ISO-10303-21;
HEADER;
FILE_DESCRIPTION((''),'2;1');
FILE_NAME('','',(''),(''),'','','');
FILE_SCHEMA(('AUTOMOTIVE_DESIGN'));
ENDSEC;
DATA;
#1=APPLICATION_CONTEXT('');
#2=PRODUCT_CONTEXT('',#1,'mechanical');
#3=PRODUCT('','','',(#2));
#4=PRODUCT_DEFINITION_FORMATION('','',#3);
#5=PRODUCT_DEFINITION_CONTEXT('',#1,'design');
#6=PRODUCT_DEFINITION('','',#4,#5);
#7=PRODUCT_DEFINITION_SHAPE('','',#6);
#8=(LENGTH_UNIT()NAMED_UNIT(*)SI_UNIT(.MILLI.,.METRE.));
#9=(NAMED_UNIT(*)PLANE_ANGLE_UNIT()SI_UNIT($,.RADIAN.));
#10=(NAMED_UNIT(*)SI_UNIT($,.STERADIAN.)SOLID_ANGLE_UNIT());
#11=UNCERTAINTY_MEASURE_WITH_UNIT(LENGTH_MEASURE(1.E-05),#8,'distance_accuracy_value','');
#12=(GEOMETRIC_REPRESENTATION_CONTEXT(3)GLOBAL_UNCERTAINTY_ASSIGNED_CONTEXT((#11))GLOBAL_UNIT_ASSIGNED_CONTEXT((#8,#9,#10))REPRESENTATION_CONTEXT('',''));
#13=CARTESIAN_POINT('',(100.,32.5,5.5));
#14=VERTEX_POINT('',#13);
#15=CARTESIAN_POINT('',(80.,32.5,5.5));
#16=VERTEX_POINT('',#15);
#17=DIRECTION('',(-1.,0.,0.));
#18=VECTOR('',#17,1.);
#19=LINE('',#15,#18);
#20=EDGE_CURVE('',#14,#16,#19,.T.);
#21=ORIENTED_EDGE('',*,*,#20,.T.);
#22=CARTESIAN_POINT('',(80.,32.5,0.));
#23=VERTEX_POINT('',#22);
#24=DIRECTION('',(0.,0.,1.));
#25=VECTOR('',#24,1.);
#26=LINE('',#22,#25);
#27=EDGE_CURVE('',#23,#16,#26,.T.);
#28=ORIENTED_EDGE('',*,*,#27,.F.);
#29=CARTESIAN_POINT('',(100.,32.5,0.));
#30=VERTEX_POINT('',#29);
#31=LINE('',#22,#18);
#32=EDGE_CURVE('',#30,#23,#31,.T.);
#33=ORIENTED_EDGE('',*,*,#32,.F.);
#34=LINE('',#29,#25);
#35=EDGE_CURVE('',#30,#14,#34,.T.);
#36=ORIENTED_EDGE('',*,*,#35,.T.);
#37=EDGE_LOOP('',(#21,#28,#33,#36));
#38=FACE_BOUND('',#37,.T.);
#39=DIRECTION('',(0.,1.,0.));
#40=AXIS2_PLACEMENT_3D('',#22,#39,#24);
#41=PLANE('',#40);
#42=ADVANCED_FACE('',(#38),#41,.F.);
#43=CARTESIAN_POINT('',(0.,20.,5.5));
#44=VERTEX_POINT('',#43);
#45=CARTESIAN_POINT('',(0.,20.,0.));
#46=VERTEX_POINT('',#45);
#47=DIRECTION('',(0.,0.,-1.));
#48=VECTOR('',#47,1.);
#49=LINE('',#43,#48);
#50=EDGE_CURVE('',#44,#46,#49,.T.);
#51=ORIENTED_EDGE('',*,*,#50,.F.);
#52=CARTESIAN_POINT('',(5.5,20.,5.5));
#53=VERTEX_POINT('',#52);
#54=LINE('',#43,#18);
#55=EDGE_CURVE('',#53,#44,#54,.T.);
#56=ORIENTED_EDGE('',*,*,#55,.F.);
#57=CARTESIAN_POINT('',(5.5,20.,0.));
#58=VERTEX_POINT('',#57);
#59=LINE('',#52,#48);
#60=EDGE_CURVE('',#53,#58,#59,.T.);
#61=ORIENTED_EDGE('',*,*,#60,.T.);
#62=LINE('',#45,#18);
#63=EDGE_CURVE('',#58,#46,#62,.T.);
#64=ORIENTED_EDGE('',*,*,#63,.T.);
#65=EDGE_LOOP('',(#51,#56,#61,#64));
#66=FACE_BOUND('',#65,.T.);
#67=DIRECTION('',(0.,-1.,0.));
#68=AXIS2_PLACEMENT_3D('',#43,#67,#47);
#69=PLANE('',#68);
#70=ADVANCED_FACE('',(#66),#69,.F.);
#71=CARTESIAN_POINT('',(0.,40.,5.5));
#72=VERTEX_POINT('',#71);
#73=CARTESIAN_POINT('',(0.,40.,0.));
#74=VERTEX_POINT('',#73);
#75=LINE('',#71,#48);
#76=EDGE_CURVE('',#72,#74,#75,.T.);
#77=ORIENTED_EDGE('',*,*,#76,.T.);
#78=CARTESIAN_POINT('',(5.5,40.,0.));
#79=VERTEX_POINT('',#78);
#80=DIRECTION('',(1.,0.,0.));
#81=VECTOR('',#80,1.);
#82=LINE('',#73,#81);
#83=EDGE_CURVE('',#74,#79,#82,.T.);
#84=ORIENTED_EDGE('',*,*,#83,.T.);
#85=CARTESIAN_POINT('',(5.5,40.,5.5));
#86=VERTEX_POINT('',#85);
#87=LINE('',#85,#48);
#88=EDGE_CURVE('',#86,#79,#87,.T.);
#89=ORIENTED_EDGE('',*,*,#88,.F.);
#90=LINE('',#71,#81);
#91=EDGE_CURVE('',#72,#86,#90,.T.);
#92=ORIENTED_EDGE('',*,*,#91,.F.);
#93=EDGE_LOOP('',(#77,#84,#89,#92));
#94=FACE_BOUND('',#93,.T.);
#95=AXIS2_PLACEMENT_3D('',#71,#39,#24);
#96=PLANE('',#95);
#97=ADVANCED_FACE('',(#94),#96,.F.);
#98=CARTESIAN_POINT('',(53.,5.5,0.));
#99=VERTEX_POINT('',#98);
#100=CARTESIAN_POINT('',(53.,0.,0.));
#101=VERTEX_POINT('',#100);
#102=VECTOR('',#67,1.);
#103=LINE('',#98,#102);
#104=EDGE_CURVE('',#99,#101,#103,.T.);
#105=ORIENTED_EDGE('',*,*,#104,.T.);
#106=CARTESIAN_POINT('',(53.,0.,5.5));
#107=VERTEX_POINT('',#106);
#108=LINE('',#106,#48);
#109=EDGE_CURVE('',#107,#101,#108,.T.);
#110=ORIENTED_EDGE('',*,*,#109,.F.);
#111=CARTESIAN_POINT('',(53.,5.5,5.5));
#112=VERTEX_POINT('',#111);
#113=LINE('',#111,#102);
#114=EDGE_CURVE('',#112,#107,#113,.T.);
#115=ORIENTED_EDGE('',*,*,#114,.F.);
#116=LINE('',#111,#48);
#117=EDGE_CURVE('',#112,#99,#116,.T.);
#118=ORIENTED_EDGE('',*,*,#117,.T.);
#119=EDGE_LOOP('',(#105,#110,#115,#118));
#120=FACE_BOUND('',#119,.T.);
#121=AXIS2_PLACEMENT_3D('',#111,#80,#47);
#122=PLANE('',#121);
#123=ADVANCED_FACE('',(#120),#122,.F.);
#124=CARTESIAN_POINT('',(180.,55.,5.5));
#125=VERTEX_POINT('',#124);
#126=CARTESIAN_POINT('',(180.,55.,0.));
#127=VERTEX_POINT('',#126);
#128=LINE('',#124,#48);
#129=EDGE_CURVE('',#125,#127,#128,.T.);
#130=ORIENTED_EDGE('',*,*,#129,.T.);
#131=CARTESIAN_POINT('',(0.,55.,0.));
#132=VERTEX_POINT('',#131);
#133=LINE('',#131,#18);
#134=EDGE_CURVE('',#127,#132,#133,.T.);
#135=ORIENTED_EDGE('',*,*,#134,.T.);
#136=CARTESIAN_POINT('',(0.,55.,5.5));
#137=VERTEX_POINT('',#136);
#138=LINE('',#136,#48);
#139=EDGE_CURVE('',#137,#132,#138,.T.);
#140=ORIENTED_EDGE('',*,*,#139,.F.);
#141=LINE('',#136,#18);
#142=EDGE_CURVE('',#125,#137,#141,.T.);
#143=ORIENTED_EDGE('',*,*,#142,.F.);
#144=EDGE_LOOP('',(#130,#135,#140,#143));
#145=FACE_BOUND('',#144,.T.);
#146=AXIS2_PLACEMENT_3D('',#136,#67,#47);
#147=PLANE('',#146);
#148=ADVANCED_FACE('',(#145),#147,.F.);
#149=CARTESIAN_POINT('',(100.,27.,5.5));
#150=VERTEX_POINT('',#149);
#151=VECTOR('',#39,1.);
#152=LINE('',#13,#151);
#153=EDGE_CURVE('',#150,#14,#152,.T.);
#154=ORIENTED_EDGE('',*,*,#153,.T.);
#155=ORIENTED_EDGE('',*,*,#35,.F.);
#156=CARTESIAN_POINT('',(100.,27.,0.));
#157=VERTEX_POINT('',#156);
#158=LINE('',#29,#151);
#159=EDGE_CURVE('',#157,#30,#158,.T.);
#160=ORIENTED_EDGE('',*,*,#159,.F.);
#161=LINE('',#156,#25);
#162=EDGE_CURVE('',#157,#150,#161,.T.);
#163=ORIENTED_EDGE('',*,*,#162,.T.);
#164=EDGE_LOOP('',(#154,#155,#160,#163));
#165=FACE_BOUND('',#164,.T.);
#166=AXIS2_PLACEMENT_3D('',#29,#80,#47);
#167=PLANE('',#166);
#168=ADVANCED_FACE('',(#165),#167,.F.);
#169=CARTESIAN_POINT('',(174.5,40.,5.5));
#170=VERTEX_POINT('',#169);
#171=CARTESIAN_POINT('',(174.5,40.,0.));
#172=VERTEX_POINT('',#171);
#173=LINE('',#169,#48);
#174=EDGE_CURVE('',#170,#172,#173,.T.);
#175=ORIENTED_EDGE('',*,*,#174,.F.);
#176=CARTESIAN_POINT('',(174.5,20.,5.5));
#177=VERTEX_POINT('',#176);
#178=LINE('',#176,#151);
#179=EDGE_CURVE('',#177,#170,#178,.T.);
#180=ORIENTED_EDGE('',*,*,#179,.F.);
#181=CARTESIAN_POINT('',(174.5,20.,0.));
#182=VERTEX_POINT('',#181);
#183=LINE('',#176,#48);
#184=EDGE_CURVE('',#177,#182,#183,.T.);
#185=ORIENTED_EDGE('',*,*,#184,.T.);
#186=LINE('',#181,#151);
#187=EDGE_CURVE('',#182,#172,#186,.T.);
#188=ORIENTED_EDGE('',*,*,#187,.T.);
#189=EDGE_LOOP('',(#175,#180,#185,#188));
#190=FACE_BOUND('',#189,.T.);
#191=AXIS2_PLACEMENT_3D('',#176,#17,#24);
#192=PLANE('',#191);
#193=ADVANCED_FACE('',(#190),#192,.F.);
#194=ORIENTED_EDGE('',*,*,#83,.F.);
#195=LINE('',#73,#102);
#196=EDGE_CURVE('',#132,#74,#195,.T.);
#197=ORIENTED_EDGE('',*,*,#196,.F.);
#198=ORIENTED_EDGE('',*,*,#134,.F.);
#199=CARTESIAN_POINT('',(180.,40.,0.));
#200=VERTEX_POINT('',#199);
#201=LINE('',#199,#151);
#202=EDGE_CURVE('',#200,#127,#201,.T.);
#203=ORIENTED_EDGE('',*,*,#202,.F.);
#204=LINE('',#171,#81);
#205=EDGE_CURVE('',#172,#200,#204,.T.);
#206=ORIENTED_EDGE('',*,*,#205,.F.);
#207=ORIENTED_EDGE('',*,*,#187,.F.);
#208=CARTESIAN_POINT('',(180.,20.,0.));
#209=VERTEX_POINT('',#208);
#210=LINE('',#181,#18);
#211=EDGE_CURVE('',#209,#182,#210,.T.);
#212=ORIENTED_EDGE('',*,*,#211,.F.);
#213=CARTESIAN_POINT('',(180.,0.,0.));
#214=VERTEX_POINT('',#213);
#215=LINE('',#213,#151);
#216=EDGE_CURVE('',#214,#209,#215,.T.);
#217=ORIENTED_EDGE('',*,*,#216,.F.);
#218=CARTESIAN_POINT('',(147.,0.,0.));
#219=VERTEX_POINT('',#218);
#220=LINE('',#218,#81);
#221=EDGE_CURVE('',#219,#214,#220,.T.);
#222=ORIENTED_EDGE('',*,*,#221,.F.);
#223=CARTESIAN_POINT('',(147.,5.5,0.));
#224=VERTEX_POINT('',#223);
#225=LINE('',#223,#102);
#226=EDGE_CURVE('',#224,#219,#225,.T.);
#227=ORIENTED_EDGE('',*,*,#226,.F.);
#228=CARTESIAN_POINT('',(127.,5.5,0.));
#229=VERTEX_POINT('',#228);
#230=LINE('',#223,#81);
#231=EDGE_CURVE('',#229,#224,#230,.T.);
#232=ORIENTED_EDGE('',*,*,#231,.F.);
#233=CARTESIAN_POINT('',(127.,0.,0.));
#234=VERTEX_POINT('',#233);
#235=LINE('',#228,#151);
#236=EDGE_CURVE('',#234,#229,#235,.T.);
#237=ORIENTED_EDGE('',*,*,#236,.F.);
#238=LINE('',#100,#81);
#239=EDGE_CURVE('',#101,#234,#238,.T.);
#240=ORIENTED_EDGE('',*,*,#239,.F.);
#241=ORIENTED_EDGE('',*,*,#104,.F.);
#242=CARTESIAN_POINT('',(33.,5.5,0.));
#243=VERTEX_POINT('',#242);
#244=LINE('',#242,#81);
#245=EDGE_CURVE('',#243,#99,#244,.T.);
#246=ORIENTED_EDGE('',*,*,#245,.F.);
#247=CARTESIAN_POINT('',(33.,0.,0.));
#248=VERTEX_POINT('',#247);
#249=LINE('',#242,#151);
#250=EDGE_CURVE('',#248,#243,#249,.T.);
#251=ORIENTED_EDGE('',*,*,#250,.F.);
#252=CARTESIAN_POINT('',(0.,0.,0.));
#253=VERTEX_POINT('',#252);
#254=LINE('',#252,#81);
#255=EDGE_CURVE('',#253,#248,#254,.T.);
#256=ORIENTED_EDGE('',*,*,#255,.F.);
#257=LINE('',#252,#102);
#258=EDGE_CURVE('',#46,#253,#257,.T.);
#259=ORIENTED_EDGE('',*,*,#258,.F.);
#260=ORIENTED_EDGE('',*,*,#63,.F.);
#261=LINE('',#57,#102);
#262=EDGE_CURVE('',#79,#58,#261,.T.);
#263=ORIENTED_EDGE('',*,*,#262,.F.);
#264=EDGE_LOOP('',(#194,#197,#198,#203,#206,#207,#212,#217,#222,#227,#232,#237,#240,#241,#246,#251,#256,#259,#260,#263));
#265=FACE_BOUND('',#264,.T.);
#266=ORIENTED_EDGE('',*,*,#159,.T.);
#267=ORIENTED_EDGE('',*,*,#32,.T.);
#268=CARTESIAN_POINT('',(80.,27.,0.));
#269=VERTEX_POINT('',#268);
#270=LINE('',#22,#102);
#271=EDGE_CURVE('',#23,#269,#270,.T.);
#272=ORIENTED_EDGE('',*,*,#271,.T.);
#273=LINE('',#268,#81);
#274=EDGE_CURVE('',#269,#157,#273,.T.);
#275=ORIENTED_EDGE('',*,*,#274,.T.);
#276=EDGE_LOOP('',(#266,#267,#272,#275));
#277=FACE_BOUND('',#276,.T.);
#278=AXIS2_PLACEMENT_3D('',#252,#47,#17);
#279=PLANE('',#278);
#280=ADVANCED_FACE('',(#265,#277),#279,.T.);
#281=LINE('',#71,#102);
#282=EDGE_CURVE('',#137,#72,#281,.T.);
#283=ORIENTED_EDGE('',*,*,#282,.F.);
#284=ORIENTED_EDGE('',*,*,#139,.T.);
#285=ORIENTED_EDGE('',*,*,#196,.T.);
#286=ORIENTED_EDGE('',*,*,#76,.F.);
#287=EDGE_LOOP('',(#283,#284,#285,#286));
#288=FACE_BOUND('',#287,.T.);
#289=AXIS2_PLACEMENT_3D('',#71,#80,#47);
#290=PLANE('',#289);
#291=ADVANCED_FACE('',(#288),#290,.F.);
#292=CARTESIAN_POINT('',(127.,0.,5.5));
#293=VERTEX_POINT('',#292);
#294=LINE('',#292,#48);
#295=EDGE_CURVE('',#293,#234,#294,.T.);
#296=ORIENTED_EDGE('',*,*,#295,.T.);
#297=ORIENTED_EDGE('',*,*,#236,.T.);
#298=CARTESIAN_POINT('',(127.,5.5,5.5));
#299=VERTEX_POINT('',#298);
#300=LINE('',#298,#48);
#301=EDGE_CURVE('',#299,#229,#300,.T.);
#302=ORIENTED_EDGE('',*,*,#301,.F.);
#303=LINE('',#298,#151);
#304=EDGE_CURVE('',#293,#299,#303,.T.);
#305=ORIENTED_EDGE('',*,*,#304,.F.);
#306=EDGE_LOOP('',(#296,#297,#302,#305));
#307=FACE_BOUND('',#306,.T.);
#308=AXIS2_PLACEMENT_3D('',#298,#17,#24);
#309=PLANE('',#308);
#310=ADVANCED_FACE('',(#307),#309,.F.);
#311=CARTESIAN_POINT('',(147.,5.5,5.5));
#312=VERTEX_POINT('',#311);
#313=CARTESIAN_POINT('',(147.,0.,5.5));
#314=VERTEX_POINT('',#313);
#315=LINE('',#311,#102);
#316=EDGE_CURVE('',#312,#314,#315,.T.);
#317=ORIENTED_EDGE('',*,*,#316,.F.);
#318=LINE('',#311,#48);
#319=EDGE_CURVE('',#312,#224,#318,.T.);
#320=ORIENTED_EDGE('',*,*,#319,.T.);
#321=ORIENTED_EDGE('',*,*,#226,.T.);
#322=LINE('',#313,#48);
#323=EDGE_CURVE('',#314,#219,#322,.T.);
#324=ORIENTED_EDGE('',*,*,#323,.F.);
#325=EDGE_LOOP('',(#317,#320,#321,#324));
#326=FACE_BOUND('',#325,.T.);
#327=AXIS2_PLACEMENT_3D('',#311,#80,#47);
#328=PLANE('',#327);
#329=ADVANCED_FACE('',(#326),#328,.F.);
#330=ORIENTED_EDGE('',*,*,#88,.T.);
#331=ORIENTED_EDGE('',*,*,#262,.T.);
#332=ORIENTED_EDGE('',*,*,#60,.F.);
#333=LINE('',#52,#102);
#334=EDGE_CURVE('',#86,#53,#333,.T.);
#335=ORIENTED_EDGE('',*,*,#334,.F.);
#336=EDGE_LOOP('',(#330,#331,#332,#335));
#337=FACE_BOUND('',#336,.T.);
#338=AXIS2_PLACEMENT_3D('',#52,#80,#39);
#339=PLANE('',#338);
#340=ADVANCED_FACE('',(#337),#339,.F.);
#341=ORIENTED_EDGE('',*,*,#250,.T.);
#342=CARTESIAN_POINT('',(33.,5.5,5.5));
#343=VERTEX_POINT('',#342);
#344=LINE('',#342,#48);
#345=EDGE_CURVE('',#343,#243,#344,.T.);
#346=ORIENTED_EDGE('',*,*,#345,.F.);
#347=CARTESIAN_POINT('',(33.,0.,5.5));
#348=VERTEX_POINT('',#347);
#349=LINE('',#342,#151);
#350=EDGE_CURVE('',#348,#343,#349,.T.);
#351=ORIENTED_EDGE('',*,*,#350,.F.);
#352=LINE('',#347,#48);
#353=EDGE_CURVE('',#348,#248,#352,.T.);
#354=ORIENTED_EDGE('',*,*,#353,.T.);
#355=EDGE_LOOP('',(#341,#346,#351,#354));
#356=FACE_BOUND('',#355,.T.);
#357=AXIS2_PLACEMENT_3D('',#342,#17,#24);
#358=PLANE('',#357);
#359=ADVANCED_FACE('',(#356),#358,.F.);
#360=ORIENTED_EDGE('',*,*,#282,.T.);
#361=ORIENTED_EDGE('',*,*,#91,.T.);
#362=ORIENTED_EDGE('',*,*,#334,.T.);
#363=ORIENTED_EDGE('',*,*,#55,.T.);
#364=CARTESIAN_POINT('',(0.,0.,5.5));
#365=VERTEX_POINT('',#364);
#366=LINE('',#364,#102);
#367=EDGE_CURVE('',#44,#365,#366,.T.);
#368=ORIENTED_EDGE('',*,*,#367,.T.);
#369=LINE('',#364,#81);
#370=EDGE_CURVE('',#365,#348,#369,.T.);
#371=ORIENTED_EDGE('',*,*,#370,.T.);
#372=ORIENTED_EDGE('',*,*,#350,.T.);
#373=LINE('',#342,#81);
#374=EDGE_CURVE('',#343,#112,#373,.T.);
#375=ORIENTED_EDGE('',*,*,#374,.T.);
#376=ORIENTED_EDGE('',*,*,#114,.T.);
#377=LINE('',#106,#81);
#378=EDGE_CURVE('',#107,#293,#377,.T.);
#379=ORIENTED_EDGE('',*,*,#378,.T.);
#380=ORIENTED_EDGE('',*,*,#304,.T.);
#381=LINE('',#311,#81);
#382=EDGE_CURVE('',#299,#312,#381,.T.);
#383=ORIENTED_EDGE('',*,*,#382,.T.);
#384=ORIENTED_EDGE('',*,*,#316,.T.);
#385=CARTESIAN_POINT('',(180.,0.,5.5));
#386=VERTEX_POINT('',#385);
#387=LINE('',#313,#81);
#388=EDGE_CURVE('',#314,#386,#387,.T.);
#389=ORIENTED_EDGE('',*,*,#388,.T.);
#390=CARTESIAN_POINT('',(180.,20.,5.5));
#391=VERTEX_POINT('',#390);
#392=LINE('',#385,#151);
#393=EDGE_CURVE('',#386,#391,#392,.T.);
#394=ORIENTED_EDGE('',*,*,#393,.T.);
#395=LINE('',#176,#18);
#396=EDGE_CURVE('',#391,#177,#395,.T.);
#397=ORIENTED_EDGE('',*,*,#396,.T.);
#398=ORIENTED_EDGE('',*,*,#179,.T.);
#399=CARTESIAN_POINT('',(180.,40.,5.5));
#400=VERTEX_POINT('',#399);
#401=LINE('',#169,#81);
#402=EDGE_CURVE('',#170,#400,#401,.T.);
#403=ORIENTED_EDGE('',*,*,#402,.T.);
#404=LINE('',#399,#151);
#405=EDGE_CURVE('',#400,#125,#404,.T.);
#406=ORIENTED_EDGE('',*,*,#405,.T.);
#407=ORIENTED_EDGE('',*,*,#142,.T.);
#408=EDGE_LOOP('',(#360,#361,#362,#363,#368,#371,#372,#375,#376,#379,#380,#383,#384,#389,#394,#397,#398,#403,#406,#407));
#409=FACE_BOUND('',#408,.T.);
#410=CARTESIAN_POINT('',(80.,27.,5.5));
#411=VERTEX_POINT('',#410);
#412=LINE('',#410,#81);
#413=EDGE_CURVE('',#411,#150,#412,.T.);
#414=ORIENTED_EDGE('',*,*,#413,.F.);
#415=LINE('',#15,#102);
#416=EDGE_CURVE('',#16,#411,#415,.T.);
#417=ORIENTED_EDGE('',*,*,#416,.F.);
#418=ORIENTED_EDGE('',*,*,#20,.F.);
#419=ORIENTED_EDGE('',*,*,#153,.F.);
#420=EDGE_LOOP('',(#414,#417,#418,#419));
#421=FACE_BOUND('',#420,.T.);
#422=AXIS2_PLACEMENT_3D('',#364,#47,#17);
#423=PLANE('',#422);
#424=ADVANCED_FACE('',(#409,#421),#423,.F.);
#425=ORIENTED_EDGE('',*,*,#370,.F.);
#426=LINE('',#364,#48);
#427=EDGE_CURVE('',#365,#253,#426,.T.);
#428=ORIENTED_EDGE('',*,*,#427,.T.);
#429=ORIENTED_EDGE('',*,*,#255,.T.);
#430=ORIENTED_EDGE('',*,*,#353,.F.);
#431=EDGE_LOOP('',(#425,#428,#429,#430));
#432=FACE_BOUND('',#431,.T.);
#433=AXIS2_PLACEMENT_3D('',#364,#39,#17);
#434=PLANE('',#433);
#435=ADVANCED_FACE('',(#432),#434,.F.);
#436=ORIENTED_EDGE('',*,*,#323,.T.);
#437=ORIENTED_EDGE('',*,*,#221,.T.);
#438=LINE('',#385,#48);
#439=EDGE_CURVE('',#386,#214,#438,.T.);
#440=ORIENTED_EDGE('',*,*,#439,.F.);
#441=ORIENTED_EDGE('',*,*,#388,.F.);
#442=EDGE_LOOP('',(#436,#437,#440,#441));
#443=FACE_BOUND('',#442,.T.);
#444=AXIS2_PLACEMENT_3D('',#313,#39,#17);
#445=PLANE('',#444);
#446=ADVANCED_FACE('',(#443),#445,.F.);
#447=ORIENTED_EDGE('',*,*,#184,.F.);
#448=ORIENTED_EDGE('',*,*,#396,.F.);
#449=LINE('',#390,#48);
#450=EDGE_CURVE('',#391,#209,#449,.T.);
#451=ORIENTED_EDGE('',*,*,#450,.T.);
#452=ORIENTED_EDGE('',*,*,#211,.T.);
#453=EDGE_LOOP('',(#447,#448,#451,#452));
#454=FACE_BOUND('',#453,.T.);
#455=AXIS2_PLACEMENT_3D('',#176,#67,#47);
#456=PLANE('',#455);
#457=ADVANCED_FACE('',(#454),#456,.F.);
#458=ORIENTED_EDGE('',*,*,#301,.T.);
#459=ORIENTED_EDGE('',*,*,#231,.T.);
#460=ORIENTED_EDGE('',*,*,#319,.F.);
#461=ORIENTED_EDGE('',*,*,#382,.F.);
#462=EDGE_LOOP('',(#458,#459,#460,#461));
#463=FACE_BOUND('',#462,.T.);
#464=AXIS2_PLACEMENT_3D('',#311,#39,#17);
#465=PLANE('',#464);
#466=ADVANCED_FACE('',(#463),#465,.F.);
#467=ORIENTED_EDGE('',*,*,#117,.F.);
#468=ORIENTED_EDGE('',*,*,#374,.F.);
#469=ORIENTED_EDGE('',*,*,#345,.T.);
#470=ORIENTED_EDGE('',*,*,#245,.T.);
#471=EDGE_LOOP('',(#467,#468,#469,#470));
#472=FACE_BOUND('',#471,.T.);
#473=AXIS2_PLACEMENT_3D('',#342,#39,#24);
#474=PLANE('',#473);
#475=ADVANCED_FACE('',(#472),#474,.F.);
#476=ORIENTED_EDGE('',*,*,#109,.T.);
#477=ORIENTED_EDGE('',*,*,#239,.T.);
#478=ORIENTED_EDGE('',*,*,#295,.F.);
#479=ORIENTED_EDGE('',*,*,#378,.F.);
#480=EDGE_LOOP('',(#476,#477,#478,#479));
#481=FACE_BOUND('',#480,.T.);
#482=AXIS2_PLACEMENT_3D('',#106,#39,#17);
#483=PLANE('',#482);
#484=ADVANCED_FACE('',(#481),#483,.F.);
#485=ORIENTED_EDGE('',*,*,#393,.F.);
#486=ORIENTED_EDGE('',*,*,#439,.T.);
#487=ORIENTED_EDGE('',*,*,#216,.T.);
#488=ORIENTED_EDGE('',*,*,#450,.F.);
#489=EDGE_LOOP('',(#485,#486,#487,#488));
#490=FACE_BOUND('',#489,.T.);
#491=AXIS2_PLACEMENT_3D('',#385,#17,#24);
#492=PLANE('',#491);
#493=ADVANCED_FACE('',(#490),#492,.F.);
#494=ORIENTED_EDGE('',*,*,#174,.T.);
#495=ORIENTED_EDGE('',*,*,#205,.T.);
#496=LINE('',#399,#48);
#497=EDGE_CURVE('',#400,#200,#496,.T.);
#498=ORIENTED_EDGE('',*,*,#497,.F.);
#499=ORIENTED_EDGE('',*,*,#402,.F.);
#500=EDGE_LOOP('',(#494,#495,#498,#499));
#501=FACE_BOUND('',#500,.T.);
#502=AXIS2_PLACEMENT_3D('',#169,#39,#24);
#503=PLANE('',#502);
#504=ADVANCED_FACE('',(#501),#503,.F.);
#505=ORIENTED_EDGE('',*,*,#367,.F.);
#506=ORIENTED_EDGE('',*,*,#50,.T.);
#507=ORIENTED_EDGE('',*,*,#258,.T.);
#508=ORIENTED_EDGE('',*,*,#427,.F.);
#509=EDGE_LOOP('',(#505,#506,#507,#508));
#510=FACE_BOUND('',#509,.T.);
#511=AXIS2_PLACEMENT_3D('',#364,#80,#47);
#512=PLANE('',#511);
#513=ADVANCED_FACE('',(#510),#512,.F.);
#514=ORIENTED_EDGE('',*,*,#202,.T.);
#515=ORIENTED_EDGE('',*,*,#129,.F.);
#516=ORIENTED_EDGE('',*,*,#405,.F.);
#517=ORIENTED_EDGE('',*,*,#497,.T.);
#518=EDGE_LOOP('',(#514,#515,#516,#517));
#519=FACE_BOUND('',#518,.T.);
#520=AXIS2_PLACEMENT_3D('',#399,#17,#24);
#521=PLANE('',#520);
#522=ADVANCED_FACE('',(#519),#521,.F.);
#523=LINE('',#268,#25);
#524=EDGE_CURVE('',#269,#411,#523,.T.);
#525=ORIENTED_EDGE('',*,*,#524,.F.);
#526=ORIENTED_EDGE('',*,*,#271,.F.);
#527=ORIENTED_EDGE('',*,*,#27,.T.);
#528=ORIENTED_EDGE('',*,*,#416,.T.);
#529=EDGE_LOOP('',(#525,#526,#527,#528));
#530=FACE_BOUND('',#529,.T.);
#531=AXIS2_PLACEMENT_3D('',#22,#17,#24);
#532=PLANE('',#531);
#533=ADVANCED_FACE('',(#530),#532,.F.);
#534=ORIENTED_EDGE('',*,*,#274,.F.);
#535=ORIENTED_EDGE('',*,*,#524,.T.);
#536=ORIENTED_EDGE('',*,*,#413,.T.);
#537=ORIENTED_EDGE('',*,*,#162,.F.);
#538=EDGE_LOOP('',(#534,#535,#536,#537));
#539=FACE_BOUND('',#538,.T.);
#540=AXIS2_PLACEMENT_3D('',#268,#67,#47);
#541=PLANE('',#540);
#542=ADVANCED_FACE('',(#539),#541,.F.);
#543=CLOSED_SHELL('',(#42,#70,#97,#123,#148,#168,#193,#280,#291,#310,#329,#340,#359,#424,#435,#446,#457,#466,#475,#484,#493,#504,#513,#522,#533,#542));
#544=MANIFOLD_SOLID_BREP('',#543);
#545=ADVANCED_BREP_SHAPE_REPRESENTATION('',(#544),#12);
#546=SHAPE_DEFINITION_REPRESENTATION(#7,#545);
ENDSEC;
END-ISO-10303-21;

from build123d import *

# Parameters (mm, degrees)
BOSS_EXTRUDE1_DEPTH = 5.5
SKETCH3_W           = 20
SKETCH3_H           = 5.5
CUT_EXTRUDE2_DEPTH  = 5.5


with BuildPart() as part:
    # Sketch1 → Boss-Extrude1 (new body)
    with BuildSketch(Plane.XY):
        Polygon((0, 0), (33, 0), (33, 5.5), (53, 5.5), (53, 0), (127, 0), (127, 5.5), (147, 5.5), (147, 0), (180, 0), (180, 20), (174.5, 20), (174.5, 40), (180, 40), (180, 55), (0, 55), (0, 40), (5.5, 40), (5.5, 20), (0, 20), align=None)
    extrude(amount=BOSS_EXTRUDE1_DEPTH)

    # Sketch3 → Cut-Extrude2 (cut)
    with BuildSketch(Plane.XY.offset(5.5)):
        with Locations((90, 29.75)):
            Rectangle(SKETCH3_W, SKETCH3_H)
    extrude(amount=-CUT_EXTRUDE2_DEPTH, mode=Mode.SUBTRACT)


solid = part.part
